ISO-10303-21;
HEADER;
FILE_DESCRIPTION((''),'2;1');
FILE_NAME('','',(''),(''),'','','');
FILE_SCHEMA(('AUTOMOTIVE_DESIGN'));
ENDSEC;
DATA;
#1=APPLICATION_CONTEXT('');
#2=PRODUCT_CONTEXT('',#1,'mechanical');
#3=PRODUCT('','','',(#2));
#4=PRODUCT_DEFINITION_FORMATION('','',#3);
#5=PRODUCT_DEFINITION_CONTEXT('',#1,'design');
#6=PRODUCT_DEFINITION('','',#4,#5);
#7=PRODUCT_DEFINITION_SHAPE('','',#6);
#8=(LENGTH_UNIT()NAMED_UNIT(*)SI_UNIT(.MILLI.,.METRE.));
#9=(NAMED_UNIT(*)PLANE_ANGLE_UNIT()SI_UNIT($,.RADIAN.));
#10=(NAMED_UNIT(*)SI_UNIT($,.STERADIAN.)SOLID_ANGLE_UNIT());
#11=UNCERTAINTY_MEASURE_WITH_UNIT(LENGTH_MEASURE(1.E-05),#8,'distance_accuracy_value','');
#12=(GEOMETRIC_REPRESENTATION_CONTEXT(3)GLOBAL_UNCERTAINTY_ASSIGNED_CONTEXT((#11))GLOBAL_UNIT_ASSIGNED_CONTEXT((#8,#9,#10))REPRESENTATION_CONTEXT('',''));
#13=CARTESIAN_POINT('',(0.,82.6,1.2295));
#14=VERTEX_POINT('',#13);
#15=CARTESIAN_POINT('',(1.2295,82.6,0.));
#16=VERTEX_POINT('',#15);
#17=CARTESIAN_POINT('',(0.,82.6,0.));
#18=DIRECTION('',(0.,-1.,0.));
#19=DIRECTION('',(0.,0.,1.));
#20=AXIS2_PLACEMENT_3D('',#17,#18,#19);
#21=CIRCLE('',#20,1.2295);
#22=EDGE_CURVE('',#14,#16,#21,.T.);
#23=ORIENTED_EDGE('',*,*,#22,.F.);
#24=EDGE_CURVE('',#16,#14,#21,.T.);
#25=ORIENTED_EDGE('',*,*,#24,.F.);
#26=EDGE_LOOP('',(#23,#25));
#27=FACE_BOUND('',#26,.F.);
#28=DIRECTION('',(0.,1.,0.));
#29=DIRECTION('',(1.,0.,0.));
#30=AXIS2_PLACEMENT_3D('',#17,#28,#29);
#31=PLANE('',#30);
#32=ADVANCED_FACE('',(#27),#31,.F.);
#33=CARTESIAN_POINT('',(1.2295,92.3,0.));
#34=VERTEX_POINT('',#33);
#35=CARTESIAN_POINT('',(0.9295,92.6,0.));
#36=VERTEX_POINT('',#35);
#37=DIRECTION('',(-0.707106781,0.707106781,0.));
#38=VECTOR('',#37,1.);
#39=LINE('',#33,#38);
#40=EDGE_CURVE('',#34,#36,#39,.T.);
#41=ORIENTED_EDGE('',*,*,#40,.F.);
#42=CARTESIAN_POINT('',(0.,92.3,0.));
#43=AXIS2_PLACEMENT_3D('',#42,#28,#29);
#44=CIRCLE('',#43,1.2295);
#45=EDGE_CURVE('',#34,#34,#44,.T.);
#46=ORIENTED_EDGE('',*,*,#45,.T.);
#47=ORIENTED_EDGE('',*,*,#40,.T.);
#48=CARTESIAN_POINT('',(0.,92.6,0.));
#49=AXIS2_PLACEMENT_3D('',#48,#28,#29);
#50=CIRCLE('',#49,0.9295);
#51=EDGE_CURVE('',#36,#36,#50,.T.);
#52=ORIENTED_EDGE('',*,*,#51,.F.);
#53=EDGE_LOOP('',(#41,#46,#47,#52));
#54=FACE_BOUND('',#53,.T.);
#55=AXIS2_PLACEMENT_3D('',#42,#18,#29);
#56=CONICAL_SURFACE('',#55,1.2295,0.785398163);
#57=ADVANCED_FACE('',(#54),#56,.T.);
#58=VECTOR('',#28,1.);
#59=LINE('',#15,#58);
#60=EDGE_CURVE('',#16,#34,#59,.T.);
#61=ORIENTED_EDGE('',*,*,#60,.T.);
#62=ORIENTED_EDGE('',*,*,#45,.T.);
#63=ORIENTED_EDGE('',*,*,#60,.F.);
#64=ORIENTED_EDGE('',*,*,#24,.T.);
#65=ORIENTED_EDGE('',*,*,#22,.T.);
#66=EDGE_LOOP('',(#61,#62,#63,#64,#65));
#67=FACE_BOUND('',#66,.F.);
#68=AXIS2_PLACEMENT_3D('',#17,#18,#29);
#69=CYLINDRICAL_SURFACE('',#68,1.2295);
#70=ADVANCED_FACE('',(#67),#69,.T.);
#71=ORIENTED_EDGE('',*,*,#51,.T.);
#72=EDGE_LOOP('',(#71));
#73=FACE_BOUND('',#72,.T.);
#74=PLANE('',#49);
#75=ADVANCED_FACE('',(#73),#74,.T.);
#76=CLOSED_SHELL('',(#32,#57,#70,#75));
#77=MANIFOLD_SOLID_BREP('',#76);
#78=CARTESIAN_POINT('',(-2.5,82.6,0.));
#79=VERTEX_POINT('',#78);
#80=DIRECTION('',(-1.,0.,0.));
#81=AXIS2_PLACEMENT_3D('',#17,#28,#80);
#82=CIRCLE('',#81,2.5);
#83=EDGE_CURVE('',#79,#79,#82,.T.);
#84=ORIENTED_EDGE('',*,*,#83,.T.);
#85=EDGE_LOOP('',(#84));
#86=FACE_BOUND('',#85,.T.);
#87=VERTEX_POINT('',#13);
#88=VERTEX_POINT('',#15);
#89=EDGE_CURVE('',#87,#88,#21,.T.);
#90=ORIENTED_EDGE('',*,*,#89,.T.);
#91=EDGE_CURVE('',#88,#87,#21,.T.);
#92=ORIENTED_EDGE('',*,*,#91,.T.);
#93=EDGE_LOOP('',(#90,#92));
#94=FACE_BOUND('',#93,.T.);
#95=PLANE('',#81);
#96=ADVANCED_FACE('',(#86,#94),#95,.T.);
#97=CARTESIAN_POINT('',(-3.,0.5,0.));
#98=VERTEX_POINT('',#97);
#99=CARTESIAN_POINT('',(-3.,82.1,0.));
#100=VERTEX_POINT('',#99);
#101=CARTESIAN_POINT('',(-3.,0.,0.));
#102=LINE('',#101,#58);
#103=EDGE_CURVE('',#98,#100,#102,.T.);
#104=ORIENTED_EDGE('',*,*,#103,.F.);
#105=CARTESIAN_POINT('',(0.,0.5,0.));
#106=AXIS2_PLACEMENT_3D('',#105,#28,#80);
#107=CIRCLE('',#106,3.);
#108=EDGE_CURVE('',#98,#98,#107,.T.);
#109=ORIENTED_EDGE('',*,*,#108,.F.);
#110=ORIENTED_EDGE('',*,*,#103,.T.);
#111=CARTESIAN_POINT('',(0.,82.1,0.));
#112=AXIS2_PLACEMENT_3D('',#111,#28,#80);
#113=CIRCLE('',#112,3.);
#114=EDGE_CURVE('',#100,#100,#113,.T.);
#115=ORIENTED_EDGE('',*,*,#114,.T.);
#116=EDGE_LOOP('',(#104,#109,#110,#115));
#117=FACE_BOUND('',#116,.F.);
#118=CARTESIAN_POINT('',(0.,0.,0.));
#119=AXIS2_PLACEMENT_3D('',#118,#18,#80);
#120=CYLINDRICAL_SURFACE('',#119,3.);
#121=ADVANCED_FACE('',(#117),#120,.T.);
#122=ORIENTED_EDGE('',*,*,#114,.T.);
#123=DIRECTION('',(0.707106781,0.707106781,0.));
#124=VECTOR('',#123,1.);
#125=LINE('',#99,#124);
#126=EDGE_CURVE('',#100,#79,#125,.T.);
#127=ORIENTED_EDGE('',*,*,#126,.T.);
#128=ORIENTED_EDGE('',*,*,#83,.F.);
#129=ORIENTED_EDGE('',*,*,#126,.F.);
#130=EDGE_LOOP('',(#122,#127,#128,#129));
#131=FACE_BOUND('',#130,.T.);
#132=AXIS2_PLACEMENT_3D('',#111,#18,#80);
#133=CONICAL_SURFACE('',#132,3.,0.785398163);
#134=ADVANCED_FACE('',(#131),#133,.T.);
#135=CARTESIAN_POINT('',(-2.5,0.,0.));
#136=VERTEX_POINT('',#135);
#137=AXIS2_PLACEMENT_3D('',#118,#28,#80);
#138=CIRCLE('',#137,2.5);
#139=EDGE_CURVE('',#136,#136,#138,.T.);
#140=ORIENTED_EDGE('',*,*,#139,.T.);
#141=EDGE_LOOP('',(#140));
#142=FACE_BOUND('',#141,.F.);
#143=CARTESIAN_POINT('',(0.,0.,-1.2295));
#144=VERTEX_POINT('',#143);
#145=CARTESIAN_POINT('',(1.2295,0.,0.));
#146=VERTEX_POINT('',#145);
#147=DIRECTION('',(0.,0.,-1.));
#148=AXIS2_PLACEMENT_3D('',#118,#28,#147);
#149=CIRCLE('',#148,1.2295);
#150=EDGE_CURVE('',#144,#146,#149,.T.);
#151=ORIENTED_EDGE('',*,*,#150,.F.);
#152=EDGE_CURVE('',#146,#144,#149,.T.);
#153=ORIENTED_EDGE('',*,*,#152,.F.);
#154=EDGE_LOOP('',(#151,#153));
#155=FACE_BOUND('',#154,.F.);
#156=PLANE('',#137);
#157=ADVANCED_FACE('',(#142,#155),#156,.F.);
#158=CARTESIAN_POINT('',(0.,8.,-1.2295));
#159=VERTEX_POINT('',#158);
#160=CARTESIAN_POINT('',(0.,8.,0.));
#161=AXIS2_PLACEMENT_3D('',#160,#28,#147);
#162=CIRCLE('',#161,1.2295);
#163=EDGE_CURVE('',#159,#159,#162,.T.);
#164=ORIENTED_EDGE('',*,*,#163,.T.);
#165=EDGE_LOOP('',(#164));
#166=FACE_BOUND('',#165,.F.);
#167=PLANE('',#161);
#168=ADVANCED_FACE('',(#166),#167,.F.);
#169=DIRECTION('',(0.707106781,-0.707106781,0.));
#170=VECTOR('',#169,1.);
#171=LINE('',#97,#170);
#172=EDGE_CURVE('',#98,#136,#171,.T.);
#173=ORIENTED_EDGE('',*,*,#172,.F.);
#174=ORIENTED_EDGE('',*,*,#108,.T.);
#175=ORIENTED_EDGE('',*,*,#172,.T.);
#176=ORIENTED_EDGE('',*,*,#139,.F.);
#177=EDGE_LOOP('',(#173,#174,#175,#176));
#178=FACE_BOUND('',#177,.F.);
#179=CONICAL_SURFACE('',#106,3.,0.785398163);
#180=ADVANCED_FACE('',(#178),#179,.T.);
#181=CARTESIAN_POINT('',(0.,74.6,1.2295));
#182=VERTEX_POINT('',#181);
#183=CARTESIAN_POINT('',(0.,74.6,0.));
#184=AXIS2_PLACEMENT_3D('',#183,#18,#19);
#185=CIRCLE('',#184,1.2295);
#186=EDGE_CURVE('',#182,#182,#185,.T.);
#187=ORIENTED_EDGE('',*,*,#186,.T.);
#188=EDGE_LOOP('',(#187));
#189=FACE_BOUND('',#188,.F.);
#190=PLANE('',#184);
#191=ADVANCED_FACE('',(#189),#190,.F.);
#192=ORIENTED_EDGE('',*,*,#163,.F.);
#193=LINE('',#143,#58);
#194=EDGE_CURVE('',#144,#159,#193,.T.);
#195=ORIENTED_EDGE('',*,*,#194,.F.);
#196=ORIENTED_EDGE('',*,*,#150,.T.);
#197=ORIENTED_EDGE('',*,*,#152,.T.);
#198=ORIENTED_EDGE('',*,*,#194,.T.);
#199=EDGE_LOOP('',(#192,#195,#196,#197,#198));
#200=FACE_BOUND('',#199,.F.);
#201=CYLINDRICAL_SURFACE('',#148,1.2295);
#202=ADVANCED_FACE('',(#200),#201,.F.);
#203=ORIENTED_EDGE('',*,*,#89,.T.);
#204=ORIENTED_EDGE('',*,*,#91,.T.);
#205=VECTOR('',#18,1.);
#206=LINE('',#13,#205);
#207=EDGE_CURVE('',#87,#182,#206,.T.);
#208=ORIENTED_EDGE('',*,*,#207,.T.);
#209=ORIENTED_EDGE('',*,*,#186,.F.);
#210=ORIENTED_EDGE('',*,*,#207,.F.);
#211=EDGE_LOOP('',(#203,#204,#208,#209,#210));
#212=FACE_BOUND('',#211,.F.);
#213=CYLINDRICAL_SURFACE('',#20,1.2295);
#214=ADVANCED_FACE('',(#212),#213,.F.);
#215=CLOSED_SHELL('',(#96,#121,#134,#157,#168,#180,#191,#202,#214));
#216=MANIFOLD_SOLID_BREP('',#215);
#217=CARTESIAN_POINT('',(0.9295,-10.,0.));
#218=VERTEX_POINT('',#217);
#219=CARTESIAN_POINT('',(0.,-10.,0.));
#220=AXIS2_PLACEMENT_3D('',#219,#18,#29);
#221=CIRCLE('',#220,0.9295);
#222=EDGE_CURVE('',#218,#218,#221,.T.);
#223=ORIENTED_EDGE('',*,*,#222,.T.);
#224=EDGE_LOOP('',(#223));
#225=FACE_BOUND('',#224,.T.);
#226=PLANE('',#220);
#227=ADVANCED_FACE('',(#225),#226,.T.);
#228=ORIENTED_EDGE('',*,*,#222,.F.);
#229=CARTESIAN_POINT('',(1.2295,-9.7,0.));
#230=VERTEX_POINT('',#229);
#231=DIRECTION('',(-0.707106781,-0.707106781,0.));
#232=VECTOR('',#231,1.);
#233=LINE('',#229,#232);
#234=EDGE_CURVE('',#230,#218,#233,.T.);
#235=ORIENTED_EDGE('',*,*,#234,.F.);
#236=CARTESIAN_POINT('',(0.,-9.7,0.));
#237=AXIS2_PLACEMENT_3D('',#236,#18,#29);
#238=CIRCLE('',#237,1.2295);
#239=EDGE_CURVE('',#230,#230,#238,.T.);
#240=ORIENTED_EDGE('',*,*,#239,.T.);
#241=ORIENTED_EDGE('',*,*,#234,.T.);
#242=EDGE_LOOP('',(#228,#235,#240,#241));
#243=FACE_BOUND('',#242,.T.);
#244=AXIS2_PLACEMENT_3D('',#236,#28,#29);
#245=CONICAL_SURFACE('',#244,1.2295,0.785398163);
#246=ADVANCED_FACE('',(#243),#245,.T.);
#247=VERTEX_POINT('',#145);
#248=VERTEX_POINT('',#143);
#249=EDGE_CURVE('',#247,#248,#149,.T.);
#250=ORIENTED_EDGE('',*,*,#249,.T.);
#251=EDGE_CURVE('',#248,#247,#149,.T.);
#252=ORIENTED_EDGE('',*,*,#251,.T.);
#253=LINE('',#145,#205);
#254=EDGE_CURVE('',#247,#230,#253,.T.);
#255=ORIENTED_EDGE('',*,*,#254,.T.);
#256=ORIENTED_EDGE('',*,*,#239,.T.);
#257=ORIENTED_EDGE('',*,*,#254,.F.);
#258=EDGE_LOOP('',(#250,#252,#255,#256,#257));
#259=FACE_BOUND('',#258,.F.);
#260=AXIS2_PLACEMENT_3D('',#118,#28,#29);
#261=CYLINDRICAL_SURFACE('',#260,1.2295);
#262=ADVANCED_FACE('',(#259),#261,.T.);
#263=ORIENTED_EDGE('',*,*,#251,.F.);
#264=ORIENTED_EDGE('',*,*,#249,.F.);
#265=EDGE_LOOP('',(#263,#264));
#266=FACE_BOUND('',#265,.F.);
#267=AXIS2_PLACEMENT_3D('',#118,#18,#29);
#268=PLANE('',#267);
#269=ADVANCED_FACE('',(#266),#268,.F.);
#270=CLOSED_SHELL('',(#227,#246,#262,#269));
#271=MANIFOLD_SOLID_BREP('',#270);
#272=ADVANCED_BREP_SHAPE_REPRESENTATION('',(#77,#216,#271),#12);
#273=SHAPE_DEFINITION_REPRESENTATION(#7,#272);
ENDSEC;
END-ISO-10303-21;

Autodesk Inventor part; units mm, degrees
ref_plane "YZ Plane" through (0, 0, 0) normal (1, 0, 0) x (0, 1, 0)
ref_plane "XZ Plane" through (0, 0, 0) normal (0, 1, 0) x (-1, 0, 0)
ref_plane "XY Plane" through (0, 0, 0) normal (0, 0, 1) x (1, 0, 0)
sketch "Sketch1" plane through (0, 0, 0) normal (0, 1, 0) x (-1, 0, 0)
  circle A0 centre (0, 0) radius 3
  dimension "d0" = 6
extrude "Extrusion1" add sketch "Sketch1" along normal blind 82.6
sketch "Sketch2" plane through (0, 82.6, 0) normal (0, 1, 0) x (1, 0, 0)
  circle A0 centre (0, 0) radius 3 projected
hole "Hole1" at (0, 82.6, 0) direction (0, -1, 0) diameter 2.459 depth 8 thread size "M3x0.5" class "6H" standard "ISO Metric profile"
sketch "Sketch3" plane through (0, 0, 0) normal (0, -1, 0) x (1, 0, 0)
  circle A0 centre (0, 0) radius 3 projected
hole "Hole2" at (0, 0, 0) direction (0, 1, 0) diameter 2.459 depth 8 thread size "M3x0.5" class "6H" standard "ISO Metric profile"
chamfer "Chamfer1" distance 0.5 angle 45 2 edges at (3, 0, 0) (3, 82.6, 0)
sketch "Sketch4" plane through (0, 0, 0) normal (0, -1, 0) x (1, 0, 0)
  circle A0 centre (0, 0) radius 1.2295 projected
extrude "Extrusion2" add sketch "Sketch4" along normal blind 10
sketch "Sketch5" plane through (0, 82.6, 0) normal (0, 1, 0) x (1, 0, 0)
  circle A0 centre (0, 0) radius 1.2295 projected
extrude "Extrusion3" add sketch "Sketch5" along normal blind 10
thread "Thread1" size "M3x0.5" class "6g" standard "ANSI Metric M Profile" full length
thread "Thread2" size "M3x0.5" class "6g" standard "ANSI Metric M Profile" full length
chamfer "Chamfer2" distance 0.3 angle 45 1 edges at (-1.2295, -10, 0)
chamfer "Chamfer3" distance 0.3 angle 45 1 edges at (-1.2295, 92.6, 0)
properties part number "hridel1" material "Iron, Cast"
